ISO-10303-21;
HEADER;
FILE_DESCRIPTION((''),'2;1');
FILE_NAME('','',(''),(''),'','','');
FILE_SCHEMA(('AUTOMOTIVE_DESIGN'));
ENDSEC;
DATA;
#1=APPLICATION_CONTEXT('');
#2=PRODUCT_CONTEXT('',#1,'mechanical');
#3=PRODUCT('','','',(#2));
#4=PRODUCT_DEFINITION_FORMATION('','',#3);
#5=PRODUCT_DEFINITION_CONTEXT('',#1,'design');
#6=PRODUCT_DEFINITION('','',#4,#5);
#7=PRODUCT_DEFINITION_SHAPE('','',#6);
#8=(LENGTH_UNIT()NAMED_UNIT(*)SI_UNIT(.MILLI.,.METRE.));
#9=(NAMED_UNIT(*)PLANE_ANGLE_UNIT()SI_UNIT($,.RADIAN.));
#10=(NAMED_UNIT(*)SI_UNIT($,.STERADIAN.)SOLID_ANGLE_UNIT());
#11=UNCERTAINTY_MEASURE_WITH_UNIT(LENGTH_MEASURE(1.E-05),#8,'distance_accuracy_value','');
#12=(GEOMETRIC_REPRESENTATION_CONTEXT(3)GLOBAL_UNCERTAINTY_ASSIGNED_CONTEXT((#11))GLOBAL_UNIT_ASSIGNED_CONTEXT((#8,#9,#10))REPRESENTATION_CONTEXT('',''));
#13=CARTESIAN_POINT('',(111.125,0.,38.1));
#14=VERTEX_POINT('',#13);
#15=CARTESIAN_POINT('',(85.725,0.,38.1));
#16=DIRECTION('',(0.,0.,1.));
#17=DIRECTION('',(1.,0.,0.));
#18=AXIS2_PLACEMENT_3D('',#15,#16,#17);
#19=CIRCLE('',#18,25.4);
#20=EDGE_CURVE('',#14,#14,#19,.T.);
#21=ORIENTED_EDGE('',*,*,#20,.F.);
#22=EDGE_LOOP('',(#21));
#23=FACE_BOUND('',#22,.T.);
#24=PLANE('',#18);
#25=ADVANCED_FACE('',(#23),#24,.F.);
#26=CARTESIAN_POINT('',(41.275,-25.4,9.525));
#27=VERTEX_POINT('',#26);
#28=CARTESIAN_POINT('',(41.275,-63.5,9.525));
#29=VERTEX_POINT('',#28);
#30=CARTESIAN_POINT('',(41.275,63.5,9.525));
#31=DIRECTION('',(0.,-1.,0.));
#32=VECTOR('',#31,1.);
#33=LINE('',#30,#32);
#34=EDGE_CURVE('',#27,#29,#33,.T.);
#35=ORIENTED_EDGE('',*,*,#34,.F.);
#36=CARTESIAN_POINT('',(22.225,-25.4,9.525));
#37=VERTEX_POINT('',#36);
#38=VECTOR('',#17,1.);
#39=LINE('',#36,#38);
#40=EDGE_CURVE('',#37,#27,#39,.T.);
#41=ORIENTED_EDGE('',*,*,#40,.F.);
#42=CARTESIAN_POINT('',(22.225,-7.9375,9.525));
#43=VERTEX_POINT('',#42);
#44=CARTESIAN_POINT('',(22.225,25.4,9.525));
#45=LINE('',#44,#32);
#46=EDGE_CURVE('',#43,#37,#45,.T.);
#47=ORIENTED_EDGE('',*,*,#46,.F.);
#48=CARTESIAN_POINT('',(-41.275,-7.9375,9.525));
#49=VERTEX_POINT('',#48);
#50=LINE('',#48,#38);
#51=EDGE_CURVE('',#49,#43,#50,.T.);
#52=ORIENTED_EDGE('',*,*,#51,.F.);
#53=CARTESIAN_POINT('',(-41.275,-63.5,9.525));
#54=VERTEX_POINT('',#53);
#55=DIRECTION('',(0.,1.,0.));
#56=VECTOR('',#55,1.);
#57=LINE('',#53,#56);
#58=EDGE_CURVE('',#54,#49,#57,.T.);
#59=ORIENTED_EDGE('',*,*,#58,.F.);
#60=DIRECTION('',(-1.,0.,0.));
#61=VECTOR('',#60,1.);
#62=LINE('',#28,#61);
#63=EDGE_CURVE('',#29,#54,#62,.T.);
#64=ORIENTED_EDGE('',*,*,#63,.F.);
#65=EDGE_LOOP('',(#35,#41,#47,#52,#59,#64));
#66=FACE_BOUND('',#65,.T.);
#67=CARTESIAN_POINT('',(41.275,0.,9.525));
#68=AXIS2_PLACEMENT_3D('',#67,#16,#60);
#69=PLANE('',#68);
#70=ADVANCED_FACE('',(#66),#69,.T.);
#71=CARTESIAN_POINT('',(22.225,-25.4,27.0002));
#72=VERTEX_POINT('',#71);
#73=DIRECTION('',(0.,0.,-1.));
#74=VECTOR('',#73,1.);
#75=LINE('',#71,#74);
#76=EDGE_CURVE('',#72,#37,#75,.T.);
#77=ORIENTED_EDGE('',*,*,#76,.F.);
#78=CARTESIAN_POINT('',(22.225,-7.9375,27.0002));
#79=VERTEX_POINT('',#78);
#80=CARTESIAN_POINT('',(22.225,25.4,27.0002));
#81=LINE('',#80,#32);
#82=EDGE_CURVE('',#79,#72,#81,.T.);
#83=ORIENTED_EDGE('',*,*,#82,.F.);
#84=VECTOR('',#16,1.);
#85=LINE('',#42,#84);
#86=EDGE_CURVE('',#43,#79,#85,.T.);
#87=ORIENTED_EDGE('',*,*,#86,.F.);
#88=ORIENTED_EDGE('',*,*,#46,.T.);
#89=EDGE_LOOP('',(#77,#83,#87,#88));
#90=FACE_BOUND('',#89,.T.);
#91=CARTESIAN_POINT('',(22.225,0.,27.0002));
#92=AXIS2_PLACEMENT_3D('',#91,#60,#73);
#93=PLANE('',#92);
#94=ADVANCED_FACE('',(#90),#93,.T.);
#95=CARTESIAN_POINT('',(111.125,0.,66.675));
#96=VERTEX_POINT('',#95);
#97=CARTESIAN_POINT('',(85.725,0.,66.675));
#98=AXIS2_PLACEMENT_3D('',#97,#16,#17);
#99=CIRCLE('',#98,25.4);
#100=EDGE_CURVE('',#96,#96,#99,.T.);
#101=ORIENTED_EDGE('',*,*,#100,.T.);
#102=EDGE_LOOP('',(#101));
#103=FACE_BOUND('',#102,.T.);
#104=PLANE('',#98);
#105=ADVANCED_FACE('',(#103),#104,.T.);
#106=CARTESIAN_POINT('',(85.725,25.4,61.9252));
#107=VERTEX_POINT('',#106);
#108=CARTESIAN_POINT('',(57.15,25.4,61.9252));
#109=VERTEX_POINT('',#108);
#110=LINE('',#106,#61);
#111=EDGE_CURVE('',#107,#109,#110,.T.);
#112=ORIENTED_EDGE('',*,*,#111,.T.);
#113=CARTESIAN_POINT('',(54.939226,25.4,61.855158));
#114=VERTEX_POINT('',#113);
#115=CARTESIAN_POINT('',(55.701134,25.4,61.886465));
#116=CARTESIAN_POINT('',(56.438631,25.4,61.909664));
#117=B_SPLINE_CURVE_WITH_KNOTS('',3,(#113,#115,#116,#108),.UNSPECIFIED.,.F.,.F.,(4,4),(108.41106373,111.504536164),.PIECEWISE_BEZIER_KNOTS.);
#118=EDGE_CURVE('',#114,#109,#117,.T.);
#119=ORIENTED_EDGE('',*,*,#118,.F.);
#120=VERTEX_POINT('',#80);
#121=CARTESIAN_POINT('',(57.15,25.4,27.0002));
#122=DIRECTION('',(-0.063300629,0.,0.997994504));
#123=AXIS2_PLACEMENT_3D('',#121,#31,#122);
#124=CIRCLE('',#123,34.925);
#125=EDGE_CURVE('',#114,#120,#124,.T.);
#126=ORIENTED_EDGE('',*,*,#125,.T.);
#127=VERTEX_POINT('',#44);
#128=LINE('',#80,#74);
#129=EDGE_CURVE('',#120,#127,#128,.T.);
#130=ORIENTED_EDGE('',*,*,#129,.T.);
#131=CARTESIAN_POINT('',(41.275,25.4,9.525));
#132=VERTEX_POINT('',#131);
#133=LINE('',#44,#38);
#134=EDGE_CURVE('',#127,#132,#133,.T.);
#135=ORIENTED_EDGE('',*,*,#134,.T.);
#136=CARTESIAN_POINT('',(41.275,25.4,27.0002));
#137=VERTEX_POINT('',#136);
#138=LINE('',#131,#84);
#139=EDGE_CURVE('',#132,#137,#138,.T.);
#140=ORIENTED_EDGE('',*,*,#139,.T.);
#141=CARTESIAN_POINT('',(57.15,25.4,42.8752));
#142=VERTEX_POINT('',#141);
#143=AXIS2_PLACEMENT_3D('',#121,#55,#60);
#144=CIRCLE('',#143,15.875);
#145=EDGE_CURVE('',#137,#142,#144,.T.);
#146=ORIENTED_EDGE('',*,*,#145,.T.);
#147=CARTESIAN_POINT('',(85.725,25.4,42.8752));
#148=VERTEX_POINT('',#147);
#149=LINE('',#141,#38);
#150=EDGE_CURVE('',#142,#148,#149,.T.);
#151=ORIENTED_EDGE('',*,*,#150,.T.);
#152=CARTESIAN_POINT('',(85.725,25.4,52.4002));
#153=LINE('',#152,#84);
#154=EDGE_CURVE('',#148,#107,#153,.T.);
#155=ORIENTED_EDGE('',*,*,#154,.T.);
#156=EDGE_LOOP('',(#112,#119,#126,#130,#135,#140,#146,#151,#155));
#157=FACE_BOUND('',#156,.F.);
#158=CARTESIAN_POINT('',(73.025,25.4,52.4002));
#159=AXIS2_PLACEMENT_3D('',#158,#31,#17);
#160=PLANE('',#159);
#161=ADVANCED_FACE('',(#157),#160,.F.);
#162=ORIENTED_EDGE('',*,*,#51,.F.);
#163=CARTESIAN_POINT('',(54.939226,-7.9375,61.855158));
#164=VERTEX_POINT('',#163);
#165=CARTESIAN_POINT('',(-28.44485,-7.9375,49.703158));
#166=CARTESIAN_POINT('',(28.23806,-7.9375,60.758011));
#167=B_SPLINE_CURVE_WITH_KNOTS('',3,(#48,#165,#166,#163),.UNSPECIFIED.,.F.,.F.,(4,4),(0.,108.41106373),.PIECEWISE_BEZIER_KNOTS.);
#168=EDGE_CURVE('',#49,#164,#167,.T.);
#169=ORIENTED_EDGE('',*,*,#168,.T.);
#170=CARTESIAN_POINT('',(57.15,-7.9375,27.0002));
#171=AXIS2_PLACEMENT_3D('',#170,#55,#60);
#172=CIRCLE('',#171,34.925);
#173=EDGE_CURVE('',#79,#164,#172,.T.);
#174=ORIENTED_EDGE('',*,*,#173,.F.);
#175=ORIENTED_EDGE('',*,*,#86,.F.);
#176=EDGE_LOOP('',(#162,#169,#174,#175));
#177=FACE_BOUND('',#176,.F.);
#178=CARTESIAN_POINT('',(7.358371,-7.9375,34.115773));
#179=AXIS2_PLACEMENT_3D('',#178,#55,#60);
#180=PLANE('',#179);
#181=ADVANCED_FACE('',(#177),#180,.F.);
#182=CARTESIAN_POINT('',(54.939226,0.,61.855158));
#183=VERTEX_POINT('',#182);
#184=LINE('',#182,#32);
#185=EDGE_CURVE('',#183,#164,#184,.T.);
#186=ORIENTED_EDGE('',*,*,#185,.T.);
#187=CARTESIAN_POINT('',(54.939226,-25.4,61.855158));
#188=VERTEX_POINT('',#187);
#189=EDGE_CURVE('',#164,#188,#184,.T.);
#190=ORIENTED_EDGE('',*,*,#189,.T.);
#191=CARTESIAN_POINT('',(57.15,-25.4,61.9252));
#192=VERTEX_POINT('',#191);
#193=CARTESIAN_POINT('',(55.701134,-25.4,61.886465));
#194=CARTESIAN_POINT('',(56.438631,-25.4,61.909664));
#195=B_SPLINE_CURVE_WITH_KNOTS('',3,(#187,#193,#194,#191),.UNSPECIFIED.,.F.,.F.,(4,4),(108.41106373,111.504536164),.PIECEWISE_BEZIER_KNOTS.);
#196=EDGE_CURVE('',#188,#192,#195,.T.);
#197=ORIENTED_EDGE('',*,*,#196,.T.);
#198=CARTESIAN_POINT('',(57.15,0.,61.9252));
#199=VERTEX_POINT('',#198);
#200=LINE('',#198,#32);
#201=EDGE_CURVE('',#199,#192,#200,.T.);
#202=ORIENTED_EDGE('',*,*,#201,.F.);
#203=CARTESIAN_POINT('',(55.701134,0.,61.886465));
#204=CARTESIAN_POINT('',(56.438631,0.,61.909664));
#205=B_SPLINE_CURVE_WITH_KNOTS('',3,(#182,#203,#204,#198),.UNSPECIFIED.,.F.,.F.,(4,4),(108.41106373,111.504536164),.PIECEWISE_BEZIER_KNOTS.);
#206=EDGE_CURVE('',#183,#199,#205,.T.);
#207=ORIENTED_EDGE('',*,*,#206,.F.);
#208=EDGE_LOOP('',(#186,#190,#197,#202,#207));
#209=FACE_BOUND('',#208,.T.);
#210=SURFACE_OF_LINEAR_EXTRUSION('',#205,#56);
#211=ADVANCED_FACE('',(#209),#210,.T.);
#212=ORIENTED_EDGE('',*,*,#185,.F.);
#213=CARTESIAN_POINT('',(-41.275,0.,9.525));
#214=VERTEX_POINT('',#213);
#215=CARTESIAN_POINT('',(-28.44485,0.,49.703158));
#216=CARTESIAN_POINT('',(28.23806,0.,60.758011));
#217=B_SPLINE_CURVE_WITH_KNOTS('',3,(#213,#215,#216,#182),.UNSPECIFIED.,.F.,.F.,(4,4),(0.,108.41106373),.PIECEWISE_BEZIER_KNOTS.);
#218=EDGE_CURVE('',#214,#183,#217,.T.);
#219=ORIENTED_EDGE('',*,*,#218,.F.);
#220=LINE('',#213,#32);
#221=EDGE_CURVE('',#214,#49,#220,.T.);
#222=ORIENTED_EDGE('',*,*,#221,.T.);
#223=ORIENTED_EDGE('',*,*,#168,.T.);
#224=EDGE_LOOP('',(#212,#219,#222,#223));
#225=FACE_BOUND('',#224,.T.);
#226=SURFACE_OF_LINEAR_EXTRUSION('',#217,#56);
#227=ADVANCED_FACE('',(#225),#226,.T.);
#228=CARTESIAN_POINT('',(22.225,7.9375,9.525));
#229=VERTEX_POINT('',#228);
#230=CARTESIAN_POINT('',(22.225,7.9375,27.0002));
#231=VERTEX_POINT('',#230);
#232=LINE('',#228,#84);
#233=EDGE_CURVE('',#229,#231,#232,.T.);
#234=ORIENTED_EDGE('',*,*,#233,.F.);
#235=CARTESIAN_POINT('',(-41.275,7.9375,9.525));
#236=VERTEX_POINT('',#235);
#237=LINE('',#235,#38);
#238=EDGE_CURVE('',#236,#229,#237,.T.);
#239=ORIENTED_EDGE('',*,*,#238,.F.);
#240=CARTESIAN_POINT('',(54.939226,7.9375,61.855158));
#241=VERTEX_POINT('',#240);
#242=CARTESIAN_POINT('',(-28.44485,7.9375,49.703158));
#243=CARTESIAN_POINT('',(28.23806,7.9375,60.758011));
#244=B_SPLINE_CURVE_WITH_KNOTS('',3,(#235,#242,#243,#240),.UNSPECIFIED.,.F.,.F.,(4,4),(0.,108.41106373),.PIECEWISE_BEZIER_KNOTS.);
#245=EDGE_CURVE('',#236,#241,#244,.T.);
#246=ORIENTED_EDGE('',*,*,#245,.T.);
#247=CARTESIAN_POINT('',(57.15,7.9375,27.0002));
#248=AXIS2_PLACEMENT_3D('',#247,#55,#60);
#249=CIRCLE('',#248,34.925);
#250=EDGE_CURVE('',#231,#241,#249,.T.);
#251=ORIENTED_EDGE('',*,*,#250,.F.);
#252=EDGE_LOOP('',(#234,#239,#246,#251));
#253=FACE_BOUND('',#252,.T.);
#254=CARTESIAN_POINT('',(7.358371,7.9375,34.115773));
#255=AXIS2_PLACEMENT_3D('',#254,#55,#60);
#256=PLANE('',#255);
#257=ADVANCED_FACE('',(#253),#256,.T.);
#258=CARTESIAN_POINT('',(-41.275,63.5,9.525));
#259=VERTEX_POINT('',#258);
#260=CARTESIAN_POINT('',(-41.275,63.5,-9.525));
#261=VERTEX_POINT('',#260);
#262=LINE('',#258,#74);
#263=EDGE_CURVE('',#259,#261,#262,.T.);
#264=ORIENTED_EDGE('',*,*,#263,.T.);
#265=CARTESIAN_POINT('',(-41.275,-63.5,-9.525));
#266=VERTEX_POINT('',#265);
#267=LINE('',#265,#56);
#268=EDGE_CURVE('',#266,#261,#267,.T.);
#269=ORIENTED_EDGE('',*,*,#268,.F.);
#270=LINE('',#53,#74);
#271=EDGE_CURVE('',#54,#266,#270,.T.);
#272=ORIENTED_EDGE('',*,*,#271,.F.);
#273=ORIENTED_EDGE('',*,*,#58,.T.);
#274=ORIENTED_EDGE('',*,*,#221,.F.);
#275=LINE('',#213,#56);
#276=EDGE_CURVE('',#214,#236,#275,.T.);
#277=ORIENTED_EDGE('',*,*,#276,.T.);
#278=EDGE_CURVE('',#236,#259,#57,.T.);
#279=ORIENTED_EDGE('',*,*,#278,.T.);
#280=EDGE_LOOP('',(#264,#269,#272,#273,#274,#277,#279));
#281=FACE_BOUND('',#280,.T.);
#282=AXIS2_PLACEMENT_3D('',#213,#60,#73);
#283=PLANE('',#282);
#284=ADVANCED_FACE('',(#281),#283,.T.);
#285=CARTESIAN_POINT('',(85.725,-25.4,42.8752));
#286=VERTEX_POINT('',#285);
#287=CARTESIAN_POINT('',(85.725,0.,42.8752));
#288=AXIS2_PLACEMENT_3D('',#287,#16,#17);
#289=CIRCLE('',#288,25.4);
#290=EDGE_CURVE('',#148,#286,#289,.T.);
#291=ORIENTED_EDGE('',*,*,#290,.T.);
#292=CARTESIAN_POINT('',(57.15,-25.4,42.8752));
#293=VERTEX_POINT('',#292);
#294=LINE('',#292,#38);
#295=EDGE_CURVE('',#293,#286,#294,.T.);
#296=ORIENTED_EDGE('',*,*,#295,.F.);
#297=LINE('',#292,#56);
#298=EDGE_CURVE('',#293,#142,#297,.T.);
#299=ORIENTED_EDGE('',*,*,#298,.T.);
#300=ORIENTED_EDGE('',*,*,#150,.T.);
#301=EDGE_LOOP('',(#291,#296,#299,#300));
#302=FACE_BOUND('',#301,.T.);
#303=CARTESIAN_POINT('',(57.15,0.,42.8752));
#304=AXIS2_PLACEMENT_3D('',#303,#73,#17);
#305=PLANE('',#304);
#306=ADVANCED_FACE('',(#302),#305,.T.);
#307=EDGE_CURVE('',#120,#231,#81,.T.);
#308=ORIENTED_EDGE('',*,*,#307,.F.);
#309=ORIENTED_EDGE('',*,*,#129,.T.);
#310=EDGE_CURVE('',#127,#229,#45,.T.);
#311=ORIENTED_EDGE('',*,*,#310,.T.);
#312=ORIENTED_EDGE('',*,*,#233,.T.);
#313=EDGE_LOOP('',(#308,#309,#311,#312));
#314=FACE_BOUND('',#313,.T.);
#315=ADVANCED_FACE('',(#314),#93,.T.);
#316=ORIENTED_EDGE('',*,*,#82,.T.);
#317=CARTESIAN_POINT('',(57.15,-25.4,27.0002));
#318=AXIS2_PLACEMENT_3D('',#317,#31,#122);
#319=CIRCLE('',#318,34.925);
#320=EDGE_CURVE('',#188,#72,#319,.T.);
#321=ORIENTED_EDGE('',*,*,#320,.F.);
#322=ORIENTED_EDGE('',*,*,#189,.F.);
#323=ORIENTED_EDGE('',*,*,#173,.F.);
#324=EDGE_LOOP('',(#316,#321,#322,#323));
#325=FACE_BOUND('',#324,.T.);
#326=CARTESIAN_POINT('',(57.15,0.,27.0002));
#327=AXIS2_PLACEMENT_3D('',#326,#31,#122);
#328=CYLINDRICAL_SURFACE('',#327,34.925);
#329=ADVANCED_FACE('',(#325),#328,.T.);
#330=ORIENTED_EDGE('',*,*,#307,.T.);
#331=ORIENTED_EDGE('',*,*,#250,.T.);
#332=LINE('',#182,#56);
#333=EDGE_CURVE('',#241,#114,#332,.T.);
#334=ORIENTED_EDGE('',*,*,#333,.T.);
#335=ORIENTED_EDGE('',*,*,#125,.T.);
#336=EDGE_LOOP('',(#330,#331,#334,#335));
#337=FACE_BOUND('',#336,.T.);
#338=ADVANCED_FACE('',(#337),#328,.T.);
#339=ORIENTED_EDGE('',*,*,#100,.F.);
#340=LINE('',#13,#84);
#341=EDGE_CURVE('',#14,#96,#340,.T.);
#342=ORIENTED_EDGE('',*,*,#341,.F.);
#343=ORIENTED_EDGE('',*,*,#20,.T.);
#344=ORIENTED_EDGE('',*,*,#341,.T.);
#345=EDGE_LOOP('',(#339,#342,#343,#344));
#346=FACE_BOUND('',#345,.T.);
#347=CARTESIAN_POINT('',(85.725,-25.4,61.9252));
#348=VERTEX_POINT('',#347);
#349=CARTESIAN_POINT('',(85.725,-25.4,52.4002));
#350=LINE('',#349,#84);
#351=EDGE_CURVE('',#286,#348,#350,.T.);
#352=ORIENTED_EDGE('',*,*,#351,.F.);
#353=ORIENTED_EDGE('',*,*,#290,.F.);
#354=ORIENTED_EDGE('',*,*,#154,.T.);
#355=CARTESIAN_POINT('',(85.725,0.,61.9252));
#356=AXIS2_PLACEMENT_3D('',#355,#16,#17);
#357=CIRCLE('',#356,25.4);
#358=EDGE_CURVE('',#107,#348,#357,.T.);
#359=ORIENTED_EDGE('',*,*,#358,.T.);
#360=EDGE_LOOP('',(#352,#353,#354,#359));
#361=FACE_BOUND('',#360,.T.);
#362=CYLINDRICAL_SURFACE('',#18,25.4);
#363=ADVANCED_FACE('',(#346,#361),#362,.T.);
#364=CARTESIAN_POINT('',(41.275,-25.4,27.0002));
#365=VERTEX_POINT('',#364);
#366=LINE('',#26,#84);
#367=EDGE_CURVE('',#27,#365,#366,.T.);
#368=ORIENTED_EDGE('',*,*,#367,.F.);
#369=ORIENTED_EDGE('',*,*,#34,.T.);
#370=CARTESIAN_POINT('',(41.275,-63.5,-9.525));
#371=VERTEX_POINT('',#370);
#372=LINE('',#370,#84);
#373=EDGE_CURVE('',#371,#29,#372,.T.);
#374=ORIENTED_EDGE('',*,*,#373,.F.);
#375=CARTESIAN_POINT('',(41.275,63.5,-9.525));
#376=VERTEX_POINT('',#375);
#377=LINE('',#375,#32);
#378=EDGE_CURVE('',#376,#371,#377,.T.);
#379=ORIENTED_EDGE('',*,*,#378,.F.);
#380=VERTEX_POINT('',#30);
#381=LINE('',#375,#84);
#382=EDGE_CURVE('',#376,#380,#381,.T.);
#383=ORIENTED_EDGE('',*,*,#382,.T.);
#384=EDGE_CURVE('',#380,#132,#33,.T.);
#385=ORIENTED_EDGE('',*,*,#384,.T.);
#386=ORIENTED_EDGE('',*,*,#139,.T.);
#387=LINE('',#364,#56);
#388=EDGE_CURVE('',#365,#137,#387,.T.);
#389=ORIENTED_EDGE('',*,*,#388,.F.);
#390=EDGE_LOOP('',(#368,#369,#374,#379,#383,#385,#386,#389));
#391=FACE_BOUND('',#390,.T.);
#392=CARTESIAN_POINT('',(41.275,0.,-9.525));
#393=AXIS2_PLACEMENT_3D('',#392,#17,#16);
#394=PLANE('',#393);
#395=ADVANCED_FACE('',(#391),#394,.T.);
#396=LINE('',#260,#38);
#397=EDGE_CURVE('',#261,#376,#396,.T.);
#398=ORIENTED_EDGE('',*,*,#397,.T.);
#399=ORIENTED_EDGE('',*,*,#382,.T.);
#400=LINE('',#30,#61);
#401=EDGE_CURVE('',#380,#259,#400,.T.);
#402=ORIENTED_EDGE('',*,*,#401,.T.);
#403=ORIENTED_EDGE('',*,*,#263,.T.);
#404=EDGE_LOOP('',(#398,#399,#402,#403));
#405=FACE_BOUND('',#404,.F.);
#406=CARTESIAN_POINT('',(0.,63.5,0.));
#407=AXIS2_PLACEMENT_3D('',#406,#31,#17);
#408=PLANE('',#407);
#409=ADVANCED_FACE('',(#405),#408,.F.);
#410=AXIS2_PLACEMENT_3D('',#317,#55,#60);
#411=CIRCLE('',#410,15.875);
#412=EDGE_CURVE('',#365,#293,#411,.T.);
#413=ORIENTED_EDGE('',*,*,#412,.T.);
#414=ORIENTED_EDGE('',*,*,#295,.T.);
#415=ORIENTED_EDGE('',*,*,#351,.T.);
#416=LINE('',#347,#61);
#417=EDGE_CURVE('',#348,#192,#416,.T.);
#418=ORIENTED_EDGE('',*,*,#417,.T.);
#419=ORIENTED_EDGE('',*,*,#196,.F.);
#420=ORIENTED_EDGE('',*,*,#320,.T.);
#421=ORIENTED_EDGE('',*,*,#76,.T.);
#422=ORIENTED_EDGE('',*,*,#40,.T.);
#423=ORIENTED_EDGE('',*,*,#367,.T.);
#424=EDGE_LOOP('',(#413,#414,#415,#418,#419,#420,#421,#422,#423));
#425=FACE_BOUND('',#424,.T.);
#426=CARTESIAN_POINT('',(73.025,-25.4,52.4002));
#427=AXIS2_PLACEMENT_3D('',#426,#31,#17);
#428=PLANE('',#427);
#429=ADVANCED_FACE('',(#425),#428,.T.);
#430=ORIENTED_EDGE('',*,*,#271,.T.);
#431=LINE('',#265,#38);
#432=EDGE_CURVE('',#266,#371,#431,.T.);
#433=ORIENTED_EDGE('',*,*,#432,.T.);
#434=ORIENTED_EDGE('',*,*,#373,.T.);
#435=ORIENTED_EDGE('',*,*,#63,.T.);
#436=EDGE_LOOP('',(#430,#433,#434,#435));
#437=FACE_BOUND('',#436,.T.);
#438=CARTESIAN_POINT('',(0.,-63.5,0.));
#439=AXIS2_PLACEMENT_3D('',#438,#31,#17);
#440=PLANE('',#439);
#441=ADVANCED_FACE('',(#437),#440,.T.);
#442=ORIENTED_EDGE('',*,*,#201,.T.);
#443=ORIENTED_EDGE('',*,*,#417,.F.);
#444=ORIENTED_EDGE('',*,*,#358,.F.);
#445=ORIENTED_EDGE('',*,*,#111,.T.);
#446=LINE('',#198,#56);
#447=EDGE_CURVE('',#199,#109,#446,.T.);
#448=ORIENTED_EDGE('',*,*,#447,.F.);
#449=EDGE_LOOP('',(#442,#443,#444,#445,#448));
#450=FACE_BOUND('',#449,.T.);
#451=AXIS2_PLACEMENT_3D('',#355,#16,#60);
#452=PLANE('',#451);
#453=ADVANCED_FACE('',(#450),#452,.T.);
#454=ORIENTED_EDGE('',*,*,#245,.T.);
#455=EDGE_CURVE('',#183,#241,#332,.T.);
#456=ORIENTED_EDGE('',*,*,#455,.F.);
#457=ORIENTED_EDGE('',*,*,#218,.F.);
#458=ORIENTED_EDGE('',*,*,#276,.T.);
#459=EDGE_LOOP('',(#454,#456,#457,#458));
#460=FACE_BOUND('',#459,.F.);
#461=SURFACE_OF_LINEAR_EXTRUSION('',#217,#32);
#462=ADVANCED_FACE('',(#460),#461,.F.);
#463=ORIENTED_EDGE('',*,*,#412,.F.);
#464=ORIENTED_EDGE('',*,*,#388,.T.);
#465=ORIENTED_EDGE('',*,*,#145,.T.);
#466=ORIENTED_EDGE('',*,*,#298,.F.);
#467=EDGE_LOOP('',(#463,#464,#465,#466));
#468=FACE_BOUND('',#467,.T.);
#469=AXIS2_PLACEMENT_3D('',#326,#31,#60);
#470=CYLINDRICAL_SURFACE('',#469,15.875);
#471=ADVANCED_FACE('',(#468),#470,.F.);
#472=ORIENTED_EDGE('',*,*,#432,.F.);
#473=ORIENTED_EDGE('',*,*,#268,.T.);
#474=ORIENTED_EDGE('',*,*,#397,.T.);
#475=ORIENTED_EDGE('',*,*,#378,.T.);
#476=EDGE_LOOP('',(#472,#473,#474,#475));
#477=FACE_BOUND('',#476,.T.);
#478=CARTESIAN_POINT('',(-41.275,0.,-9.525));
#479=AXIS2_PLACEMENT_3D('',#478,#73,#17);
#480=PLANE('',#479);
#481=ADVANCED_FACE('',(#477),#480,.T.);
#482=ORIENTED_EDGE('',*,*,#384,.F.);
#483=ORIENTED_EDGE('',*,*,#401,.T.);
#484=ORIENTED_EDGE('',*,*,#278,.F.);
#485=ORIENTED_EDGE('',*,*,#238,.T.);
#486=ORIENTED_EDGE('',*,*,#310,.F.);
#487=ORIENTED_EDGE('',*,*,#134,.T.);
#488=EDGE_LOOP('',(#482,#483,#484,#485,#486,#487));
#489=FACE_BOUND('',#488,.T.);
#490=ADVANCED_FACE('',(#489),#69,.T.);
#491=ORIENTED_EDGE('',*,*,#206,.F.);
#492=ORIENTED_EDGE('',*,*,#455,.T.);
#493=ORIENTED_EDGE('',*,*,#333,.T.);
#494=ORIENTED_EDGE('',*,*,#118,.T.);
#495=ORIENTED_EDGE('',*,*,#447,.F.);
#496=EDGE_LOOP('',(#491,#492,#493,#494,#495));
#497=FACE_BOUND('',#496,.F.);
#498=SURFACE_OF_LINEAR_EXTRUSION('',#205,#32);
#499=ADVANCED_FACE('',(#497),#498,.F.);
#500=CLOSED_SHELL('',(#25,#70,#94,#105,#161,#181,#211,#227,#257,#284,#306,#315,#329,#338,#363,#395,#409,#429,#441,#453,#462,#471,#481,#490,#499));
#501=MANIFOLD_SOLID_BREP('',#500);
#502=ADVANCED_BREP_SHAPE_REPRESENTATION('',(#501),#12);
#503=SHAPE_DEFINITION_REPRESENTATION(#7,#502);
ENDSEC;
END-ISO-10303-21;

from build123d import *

# Parameters (mm, degrees)
F1_DEPTH = 63.5
F0_W     = 25.4
F0_H     = 19.05
F2_DEPTH = 25.4
F3_DEPTH = 7.9375


with BuildPart() as f1:
    # F0 (on Front) → F1 (new body, symmetric)
    with BuildSketch(Plane.XZ):
        Polygon((-41.275, -9.525), (41.275, -9.525), (41.275, 9.525), (22.225, 9.525), (-41.275, 9.525), align=None)
    extrude(amount=F1_DEPTH, both=True)

    # F0 (on Front) → F2 (join, symmetric)
    with BuildSketch(Plane.XZ):
        with Locations((73.025, 52.4002)):
            Rectangle(F0_W, F0_H)
        with BuildLine():
            Line((22.225, 9.525), (41.275, 9.525))
            Line((41.275, 9.525), (41.275, 27.0002))
            ThreePointArc((41.275, 27.0002), (45.9246798487, 38.2255201513), (57.15, 42.8752))
            Line((57.15, 42.8752), (60.325, 42.8752))
            Line((60.325, 42.8752), (60.325, 61.9252))
            Line((60.325, 61.9252), (57.15, 61.9252))
            add(Edge.make_bspline(
                [(54.9392255171, 61.8551580574), (55.7011340945, 61.8864647718), (56.4386307378, 61.9096636569), (57.15, 61.9252)],
                knots=[108.4110637299, 108.4110637299, 108.4110637299, 108.4110637299, 111.5045361635, 111.5045361635, 111.5045361635, 111.5045361635], degree=3))
            ThreePointArc((54.9392255171, 61.8551580574), (31.6846615591, 50.9015004477), (22.225, 27.0002))
            Line((22.225, 27.0002), (22.225, 9.525))
        make_face()
    extrude(amount=F2_DEPTH, both=True)

    # F0 (on Front) → F3 (join, symmetric)
    with BuildSketch(Plane.XZ):
        with BuildLine():
            add(Edge.make_bspline(
                [(-41.275, 9.525), (-28.4448499709, 49.7031577837), (28.2380600433, 60.7580109912), (54.9392255171, 61.8551580574)],
                knots=[0, 0, 0, 0, 108.4110637299, 108.4110637299, 108.4110637299, 108.4110637299], degree=3))
            Line((-41.275, 9.525), (22.225, 9.525))
            Line((22.225, 9.525), (22.225, 27.0002))
            ThreePointArc((22.225, 27.0002), (31.6846615591, 50.9015004477), (54.9392255171, 61.8551580574))
        make_face()
    extrude(amount=F3_DEPTH, both=True)

    # F0 (on Front) → F4 (revolve)
    with BuildSketch(Plane.XZ):
        Polygon((85.725, 61.9252), (85.725, 42.8752), (85.725, 38.1), (111.125, 38.1), (111.125, 66.675), (85.725, 66.675), align=None)
    revolve(axis=Axis((85.725, 0, 52.3875), (0, 0, 1)))


solid = f1.part
